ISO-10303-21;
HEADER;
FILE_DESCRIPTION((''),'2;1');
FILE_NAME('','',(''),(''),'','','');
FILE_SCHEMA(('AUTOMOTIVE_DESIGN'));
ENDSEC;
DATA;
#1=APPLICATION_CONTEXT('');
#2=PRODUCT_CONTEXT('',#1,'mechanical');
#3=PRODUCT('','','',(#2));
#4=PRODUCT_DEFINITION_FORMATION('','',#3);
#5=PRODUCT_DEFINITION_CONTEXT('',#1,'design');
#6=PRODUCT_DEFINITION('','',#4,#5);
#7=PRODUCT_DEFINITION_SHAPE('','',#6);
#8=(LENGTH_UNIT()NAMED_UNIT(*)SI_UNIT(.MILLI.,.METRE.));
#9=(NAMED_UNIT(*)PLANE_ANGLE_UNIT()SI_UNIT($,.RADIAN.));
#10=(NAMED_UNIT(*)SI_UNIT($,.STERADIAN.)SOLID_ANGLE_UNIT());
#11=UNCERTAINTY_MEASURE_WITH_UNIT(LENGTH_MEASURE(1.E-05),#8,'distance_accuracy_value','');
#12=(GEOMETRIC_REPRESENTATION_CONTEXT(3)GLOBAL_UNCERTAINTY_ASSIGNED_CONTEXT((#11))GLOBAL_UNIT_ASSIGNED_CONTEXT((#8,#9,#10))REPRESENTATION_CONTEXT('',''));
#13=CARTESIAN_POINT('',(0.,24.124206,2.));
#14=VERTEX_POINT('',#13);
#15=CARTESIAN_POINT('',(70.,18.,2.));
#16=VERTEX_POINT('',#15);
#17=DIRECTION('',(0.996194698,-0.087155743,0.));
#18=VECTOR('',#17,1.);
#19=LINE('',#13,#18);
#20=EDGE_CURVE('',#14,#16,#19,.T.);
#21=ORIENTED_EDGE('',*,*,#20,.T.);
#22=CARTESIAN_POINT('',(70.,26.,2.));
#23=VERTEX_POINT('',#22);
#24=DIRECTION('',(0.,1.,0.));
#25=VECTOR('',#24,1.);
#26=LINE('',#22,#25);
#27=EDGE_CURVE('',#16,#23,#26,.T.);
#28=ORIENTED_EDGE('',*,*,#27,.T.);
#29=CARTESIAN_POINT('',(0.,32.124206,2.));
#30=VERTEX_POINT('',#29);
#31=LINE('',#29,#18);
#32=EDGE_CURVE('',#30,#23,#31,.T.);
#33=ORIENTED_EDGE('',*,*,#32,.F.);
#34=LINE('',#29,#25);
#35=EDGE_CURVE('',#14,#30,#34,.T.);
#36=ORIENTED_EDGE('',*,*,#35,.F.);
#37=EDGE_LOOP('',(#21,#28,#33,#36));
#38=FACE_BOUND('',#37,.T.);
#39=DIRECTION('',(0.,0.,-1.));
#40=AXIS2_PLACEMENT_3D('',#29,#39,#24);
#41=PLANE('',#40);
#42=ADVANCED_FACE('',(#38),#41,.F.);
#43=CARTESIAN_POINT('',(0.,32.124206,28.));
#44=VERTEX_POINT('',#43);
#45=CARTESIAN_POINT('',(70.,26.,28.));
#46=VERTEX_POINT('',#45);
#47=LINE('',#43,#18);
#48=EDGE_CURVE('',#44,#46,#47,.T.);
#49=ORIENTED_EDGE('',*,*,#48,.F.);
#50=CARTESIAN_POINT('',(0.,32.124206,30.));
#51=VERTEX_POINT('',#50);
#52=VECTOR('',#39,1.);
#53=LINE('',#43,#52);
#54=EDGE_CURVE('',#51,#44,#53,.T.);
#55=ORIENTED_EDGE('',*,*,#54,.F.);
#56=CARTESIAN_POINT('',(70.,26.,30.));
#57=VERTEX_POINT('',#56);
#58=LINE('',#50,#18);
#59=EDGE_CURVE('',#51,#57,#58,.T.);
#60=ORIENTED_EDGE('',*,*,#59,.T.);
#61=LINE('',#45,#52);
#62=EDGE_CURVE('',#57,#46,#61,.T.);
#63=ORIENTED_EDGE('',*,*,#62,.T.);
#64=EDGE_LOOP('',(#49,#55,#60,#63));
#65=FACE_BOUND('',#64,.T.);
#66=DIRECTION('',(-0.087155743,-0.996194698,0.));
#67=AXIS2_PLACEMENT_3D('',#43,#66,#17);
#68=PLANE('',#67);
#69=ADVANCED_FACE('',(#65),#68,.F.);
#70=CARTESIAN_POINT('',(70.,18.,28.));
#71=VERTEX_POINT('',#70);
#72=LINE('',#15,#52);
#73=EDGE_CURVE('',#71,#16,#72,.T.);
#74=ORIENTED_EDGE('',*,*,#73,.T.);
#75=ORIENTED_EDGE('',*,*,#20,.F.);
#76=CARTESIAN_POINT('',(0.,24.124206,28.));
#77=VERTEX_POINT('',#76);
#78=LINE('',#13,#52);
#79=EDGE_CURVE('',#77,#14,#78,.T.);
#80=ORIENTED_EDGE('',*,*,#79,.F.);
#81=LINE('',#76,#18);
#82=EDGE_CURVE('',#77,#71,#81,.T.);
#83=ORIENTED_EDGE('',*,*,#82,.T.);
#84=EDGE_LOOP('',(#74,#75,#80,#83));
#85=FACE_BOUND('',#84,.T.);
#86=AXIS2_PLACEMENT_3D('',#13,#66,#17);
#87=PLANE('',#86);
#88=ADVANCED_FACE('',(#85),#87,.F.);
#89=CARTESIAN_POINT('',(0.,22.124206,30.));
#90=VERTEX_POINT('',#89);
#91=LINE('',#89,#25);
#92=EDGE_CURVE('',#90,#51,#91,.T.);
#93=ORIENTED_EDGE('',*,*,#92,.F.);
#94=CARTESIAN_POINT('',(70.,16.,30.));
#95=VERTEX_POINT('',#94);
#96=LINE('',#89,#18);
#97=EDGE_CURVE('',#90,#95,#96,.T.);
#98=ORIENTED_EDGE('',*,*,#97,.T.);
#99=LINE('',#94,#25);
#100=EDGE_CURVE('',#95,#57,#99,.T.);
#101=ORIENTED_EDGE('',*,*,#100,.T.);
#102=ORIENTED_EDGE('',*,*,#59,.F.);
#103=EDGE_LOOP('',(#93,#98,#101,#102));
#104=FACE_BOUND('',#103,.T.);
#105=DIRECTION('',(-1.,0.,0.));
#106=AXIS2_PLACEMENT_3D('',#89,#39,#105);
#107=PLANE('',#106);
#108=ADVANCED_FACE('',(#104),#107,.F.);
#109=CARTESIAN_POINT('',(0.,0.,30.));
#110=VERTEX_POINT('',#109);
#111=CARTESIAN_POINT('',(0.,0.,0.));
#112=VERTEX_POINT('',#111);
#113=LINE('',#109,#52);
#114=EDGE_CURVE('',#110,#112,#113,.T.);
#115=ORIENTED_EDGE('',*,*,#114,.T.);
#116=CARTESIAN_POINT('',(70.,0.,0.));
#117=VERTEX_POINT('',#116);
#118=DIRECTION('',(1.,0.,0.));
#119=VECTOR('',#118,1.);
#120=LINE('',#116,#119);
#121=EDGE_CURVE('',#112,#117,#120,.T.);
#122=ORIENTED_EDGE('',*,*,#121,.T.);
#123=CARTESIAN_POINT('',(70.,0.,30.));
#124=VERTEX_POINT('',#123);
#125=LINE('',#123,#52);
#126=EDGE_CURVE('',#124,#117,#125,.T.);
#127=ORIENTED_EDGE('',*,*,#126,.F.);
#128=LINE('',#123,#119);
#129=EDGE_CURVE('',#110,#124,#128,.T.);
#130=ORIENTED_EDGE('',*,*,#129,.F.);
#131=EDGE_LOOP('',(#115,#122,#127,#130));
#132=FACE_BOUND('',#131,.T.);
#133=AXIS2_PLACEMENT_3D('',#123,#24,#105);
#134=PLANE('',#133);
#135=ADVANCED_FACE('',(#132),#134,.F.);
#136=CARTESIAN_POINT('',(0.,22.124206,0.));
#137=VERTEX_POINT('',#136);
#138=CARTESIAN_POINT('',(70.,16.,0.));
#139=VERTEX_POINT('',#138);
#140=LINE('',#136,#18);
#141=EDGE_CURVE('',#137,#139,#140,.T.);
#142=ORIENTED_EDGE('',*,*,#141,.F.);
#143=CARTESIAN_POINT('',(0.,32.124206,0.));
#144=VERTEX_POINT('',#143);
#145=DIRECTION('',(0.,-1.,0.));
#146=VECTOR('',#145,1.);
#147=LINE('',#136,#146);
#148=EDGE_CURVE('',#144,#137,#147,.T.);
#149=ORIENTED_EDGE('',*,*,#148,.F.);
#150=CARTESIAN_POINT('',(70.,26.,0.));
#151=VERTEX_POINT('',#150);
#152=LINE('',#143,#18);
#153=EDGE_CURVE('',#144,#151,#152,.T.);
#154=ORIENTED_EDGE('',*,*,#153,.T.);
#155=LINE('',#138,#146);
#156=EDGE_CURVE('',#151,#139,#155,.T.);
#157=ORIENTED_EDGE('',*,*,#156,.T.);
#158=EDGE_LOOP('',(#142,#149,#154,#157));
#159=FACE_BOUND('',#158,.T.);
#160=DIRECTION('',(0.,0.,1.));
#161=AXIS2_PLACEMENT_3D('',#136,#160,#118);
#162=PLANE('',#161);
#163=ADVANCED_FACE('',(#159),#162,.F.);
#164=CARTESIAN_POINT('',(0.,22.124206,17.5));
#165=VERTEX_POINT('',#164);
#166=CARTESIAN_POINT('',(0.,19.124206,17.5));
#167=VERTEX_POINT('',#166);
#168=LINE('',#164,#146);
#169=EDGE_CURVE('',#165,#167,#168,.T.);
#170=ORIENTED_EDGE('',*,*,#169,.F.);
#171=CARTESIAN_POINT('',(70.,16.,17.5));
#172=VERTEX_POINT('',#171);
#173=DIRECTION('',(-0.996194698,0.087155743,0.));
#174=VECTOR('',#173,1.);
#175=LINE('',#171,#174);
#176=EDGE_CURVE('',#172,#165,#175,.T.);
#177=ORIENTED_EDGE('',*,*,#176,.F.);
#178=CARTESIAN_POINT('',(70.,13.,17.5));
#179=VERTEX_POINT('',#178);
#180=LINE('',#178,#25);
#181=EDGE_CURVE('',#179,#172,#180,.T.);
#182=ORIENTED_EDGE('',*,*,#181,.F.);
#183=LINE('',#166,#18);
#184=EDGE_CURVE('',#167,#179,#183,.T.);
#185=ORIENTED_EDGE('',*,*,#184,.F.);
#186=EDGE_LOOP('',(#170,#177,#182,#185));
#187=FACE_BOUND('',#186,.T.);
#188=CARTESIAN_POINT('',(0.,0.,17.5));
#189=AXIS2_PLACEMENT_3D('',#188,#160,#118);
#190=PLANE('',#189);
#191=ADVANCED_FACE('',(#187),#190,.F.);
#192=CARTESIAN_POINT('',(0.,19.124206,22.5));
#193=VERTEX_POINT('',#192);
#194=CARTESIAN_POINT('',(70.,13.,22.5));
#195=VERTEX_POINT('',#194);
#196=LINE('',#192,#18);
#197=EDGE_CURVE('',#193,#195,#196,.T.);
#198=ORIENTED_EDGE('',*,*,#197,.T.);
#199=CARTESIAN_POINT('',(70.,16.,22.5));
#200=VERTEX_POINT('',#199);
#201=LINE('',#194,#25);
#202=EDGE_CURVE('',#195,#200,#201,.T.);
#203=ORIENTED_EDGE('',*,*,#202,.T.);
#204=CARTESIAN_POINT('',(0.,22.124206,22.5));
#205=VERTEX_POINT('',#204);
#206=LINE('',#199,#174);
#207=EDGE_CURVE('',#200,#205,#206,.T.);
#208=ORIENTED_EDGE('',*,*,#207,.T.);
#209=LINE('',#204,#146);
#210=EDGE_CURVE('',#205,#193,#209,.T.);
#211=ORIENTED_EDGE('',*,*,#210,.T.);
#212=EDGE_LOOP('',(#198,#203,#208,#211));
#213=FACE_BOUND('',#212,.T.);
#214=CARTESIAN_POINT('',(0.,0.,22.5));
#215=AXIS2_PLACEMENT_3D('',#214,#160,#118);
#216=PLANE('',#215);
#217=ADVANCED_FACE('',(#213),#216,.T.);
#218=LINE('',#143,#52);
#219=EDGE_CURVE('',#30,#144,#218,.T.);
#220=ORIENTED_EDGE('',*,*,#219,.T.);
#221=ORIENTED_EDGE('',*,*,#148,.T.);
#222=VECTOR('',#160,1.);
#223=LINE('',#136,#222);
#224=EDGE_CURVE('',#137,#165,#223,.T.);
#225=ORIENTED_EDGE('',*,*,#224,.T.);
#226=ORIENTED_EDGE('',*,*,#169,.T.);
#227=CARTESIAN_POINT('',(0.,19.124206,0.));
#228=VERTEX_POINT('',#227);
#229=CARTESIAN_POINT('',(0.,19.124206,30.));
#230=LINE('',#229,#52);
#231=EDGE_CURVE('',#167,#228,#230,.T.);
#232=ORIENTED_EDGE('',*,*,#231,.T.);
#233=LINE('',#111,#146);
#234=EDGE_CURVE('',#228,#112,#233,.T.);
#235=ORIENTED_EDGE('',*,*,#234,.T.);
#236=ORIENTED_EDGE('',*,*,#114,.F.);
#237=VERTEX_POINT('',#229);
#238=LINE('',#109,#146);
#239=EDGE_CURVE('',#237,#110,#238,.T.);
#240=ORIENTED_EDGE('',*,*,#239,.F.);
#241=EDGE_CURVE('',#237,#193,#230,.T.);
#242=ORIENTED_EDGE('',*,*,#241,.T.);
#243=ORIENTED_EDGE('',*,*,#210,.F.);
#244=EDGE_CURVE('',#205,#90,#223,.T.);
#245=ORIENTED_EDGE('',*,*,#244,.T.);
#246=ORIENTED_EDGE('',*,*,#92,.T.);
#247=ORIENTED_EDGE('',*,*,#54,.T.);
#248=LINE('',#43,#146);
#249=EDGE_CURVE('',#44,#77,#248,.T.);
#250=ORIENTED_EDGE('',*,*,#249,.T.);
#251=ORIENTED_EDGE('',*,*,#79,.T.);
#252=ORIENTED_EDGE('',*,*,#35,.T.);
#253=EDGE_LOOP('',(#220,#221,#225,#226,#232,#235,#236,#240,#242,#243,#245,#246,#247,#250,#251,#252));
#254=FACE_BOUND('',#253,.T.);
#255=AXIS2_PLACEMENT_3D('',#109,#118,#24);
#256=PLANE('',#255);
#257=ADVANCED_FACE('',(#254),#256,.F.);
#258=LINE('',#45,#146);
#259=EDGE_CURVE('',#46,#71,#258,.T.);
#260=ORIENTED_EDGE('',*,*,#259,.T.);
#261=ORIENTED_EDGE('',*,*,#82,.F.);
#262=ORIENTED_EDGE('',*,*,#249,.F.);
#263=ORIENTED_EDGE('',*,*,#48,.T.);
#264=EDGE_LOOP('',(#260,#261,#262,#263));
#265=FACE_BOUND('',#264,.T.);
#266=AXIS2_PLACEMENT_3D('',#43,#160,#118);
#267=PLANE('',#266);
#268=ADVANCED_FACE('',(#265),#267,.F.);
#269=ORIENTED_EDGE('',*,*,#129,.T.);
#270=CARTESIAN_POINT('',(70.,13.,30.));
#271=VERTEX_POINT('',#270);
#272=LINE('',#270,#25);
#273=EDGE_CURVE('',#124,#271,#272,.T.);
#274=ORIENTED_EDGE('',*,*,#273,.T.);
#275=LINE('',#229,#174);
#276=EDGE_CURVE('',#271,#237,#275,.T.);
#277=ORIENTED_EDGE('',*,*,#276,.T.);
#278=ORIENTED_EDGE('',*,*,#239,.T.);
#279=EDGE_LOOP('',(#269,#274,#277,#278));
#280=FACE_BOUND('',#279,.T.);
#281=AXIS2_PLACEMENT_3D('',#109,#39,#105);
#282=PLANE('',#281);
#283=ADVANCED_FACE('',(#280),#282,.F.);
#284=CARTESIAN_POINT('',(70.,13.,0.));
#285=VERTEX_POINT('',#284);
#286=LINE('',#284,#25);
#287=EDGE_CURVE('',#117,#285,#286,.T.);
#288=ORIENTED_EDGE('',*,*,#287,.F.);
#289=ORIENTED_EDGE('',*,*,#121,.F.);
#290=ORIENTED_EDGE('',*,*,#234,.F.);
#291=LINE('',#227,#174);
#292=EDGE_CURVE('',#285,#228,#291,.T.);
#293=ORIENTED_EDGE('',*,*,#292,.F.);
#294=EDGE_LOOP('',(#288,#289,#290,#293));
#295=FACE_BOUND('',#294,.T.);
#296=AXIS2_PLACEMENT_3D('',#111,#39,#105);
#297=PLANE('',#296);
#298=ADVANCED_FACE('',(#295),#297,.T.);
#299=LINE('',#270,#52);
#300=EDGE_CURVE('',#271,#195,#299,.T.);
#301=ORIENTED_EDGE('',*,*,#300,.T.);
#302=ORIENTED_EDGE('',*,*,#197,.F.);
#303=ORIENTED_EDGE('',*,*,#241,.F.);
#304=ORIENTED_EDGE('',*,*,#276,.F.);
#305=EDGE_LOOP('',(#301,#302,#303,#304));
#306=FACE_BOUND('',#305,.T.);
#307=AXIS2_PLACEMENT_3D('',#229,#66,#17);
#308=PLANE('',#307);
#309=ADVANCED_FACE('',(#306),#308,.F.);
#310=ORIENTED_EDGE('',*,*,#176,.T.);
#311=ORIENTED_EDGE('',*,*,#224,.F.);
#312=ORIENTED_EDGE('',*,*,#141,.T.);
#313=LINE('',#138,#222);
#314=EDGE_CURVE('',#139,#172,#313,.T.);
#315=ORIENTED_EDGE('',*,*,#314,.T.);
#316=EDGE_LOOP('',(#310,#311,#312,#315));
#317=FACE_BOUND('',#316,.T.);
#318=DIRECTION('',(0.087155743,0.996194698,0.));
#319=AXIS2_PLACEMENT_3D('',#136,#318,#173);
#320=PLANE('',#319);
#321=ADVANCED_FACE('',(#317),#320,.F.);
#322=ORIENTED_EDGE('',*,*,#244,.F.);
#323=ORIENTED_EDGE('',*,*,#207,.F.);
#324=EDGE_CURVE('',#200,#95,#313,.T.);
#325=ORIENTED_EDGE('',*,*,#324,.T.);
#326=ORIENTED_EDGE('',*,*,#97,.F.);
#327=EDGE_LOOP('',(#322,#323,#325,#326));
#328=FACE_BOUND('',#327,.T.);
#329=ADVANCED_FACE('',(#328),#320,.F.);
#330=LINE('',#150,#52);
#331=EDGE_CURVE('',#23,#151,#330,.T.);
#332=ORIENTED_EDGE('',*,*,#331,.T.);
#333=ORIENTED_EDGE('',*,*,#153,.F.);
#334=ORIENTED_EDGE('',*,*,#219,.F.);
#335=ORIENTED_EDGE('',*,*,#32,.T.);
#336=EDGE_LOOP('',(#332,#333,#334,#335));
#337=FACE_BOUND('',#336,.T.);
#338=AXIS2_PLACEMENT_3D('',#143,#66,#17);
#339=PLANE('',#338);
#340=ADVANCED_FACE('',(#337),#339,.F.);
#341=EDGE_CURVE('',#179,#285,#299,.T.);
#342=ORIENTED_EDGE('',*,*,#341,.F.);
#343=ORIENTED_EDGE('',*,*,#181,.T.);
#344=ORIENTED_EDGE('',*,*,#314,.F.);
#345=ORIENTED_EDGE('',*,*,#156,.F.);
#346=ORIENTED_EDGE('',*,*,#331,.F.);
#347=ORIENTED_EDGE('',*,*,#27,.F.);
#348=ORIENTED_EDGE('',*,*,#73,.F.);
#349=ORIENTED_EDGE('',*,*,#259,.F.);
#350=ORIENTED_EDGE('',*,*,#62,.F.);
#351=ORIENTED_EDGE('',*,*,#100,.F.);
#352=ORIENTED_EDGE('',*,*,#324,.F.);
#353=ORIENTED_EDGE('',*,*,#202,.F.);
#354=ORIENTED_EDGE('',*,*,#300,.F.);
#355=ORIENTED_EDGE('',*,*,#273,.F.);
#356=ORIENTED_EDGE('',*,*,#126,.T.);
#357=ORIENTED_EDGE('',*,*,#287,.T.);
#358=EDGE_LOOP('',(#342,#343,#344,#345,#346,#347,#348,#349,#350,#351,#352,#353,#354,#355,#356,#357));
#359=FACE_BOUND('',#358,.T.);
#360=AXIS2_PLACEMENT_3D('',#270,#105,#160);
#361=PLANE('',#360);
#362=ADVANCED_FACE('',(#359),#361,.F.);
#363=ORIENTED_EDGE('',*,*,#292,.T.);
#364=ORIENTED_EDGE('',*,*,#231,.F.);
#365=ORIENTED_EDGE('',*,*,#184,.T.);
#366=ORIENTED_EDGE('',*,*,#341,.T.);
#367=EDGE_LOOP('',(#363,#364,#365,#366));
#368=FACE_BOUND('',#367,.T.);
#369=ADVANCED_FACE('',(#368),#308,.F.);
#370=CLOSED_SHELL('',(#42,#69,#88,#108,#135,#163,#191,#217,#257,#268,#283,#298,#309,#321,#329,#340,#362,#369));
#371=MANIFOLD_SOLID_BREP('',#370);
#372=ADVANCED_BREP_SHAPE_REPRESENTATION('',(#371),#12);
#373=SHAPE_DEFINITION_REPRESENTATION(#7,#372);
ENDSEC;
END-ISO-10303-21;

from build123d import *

# Parameters (mm, degrees)
SALIENTE_EXTRUIR1_DEPTH = 30
SALIENTE_EXTRUIR2_DEPTH = 2.5


with BuildPart() as part:
    # Croquis1 → Saliente-Extruir1 (new body)
    with BuildSketch(Plane.XY):
        Polygon((0, 0), (0, 19.124206447), (70, 13), (70, 0), align=None)
    extrude(amount=SALIENTE_EXTRUIR1_DEPTH)

    # Croquis3 → Saliente-Extruir2 (add, symmetric)
    with BuildSketch(Plane.XY.offset(20)):
        Polygon((0, 19.124206447), (70, 13), (70, 16), (0, 22.124206447), align=None)
    extrude(amount=SALIENTE_EXTRUIR2_DEPTH, both=True)

    # Barrer1: sweep along a path in Croquis4
    with BuildLine(Plane.XY.offset(20)) as barrer1_path:
        Line((0, 22.124206447), (70, 16))
    # Croquis5 → Barrer1 (sweep)
    with BuildSketch(Plane.ZY):
        Polygon((28, 32.124206447), (30, 32.124206447), (30, 22.124206447), (0, 22.124206447), (0, 32.124206447), (2, 32.124206447), (2, 24.124206447), (28, 24.124206447), align=None)
    sweep(path=barrer1_path.line)


solid = part.part
